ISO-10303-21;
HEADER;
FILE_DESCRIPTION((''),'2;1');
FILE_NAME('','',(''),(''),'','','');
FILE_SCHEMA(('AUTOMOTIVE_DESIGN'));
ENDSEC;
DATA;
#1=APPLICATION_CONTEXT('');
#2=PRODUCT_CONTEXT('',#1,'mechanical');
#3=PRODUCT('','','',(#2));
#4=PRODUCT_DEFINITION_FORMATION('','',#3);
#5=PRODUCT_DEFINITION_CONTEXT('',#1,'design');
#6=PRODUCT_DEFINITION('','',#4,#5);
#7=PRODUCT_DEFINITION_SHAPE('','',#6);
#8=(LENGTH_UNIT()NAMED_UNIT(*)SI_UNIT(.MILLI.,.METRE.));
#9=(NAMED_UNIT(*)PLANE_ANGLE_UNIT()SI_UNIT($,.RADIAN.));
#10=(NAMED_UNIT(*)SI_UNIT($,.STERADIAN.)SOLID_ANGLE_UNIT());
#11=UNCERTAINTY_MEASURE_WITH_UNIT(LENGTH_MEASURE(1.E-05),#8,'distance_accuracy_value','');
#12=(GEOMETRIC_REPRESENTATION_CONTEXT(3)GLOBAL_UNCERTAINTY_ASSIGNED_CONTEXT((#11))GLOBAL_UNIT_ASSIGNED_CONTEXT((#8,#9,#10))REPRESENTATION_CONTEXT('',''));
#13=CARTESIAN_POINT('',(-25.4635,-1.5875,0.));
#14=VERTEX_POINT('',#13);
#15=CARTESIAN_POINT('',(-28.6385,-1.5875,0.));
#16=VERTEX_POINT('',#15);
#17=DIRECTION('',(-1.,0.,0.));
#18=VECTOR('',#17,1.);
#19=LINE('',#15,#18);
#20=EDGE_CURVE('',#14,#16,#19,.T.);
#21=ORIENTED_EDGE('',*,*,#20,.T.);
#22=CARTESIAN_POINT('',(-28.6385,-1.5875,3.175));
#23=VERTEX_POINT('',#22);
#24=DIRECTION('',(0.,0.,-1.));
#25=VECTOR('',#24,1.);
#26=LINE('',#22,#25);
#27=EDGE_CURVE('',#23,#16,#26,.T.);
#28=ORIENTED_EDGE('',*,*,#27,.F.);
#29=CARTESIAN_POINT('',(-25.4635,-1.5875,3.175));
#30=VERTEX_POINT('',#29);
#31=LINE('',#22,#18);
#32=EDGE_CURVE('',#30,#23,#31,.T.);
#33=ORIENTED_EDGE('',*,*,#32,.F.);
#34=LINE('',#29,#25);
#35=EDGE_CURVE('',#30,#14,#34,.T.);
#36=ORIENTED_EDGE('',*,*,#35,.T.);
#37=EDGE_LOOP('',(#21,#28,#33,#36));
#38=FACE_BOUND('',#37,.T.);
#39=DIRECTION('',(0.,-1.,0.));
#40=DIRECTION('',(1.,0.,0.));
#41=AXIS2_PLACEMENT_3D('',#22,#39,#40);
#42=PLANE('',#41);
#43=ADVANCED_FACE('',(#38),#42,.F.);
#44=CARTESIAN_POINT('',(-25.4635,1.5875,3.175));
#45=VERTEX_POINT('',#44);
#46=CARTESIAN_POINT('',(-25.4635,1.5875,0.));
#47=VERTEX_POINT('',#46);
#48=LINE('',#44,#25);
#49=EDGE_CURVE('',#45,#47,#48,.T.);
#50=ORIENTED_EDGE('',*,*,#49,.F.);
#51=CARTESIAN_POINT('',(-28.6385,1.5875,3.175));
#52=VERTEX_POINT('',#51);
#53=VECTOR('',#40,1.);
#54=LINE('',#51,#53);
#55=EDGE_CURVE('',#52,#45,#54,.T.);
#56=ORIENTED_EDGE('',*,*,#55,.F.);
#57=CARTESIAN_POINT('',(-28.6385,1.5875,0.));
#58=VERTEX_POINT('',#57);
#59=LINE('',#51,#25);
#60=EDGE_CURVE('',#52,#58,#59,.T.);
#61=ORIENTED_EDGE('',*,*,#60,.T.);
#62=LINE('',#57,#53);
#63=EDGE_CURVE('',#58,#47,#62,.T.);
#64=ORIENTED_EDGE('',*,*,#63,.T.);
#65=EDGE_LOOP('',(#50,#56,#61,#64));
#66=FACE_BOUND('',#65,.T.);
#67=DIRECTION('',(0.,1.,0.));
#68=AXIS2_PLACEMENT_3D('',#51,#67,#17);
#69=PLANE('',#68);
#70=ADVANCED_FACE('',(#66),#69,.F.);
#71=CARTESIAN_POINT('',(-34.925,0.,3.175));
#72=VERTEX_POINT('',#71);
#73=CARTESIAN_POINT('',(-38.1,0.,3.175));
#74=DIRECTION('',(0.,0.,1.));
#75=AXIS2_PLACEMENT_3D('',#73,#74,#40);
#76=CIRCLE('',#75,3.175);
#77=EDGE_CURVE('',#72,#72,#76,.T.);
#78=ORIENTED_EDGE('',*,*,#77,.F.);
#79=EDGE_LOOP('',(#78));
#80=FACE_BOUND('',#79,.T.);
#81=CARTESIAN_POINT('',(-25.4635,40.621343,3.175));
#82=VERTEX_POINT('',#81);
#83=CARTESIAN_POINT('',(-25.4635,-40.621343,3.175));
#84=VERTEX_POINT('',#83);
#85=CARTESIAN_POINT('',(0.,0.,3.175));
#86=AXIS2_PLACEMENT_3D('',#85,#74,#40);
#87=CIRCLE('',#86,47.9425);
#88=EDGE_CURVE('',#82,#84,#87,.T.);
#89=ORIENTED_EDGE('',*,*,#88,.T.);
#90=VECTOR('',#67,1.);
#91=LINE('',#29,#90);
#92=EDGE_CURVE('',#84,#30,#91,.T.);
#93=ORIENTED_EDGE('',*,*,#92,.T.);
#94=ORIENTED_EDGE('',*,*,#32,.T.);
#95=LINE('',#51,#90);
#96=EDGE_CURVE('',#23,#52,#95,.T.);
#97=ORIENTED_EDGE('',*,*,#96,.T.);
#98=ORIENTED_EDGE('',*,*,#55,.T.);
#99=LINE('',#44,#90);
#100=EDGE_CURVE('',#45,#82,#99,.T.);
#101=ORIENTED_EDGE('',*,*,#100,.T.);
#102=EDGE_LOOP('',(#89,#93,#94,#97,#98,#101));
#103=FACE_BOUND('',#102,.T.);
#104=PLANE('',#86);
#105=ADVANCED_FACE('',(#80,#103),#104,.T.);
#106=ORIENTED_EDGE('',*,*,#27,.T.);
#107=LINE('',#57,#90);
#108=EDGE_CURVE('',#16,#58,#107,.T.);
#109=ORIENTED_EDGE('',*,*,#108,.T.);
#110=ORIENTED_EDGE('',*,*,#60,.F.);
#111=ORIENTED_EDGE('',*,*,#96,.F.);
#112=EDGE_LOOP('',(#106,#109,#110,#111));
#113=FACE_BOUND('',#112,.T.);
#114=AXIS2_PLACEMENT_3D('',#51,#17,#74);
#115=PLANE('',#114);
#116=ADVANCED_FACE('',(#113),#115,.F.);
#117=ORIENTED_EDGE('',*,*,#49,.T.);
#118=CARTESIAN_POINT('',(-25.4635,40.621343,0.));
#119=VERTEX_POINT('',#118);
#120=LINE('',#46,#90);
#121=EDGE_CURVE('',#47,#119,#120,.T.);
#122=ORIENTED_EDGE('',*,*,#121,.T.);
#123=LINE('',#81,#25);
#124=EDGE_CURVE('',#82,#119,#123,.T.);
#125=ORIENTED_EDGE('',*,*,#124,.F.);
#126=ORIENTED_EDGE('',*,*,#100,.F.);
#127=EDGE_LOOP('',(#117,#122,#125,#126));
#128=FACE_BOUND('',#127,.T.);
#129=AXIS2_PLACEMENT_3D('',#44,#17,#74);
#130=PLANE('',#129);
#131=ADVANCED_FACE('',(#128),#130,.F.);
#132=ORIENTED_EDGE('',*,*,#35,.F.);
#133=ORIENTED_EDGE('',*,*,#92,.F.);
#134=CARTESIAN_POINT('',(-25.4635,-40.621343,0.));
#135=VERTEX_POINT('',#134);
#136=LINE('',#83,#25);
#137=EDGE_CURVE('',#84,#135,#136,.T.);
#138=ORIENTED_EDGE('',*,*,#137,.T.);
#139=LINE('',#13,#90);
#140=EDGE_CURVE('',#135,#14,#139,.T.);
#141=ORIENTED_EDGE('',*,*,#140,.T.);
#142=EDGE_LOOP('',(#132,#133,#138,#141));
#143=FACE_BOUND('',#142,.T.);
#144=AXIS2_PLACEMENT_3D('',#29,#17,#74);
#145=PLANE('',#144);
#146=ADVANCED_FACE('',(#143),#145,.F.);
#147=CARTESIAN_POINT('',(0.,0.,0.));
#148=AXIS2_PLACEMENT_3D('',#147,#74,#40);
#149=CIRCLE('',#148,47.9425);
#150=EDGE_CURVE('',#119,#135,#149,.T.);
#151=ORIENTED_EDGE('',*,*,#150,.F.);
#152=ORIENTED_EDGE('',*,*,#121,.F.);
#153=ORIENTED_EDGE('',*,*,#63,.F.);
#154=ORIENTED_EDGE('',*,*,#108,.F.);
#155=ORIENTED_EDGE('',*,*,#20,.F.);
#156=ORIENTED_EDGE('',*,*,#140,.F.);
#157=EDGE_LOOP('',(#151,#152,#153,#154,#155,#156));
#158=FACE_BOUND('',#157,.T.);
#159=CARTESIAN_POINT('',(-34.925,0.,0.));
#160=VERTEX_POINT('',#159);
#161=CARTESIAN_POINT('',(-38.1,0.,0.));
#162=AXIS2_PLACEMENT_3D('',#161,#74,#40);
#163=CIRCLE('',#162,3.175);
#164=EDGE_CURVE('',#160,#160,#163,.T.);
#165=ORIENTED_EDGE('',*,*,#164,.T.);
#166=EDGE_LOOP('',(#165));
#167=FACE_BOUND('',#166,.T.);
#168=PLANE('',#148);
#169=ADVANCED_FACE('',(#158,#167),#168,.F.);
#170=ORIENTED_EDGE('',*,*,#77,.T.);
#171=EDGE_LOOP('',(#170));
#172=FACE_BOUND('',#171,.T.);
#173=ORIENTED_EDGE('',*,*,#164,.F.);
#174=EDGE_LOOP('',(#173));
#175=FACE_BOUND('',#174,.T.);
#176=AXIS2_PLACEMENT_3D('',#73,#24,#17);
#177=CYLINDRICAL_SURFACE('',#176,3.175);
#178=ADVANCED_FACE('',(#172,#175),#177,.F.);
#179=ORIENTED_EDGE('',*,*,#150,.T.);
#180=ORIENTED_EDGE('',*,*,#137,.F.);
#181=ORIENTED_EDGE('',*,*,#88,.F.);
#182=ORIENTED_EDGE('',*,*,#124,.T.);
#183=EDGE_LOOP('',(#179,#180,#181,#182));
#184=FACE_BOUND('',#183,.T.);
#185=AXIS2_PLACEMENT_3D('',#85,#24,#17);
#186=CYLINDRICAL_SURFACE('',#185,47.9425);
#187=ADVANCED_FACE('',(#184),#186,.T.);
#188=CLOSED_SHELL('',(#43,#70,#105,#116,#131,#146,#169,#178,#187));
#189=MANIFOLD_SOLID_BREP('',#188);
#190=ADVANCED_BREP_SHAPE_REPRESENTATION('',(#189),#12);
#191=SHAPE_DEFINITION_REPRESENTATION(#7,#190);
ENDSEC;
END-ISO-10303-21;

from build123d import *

# Parameters (mm, degrees)
SKETCH1_R           = 3.175
BOSS_EXTRUDE1_DEPTH = 3.175


with BuildPart() as part:
    # Sketch1 → Boss-Extrude1 (new body)
    with BuildSketch(Plane.XY):
        with BuildLine():
            Line((-28.6385, 1.5875), (-25.4635, 1.5875))
            Line((-25.4635, 1.5875), (-25.4635, 40.621342592))
            ThreePointArc((-25.4635, 40.621342592), (-47.9425, 0), (-25.4635, -40.621342592))
            Line((-25.4635, -40.621342592), (-25.4635, -1.5875))
            Line((-25.4635, -1.5875), (-28.6385, -1.5875))
            Line((-28.6385, -1.5875), (-28.6385, 1.5875))
        make_face()
        with Locations((-38.1, 0)):
            Circle(SKETCH1_R, mode=Mode.SUBTRACT)
    extrude(amount=BOSS_EXTRUDE1_DEPTH)


solid = part.part
